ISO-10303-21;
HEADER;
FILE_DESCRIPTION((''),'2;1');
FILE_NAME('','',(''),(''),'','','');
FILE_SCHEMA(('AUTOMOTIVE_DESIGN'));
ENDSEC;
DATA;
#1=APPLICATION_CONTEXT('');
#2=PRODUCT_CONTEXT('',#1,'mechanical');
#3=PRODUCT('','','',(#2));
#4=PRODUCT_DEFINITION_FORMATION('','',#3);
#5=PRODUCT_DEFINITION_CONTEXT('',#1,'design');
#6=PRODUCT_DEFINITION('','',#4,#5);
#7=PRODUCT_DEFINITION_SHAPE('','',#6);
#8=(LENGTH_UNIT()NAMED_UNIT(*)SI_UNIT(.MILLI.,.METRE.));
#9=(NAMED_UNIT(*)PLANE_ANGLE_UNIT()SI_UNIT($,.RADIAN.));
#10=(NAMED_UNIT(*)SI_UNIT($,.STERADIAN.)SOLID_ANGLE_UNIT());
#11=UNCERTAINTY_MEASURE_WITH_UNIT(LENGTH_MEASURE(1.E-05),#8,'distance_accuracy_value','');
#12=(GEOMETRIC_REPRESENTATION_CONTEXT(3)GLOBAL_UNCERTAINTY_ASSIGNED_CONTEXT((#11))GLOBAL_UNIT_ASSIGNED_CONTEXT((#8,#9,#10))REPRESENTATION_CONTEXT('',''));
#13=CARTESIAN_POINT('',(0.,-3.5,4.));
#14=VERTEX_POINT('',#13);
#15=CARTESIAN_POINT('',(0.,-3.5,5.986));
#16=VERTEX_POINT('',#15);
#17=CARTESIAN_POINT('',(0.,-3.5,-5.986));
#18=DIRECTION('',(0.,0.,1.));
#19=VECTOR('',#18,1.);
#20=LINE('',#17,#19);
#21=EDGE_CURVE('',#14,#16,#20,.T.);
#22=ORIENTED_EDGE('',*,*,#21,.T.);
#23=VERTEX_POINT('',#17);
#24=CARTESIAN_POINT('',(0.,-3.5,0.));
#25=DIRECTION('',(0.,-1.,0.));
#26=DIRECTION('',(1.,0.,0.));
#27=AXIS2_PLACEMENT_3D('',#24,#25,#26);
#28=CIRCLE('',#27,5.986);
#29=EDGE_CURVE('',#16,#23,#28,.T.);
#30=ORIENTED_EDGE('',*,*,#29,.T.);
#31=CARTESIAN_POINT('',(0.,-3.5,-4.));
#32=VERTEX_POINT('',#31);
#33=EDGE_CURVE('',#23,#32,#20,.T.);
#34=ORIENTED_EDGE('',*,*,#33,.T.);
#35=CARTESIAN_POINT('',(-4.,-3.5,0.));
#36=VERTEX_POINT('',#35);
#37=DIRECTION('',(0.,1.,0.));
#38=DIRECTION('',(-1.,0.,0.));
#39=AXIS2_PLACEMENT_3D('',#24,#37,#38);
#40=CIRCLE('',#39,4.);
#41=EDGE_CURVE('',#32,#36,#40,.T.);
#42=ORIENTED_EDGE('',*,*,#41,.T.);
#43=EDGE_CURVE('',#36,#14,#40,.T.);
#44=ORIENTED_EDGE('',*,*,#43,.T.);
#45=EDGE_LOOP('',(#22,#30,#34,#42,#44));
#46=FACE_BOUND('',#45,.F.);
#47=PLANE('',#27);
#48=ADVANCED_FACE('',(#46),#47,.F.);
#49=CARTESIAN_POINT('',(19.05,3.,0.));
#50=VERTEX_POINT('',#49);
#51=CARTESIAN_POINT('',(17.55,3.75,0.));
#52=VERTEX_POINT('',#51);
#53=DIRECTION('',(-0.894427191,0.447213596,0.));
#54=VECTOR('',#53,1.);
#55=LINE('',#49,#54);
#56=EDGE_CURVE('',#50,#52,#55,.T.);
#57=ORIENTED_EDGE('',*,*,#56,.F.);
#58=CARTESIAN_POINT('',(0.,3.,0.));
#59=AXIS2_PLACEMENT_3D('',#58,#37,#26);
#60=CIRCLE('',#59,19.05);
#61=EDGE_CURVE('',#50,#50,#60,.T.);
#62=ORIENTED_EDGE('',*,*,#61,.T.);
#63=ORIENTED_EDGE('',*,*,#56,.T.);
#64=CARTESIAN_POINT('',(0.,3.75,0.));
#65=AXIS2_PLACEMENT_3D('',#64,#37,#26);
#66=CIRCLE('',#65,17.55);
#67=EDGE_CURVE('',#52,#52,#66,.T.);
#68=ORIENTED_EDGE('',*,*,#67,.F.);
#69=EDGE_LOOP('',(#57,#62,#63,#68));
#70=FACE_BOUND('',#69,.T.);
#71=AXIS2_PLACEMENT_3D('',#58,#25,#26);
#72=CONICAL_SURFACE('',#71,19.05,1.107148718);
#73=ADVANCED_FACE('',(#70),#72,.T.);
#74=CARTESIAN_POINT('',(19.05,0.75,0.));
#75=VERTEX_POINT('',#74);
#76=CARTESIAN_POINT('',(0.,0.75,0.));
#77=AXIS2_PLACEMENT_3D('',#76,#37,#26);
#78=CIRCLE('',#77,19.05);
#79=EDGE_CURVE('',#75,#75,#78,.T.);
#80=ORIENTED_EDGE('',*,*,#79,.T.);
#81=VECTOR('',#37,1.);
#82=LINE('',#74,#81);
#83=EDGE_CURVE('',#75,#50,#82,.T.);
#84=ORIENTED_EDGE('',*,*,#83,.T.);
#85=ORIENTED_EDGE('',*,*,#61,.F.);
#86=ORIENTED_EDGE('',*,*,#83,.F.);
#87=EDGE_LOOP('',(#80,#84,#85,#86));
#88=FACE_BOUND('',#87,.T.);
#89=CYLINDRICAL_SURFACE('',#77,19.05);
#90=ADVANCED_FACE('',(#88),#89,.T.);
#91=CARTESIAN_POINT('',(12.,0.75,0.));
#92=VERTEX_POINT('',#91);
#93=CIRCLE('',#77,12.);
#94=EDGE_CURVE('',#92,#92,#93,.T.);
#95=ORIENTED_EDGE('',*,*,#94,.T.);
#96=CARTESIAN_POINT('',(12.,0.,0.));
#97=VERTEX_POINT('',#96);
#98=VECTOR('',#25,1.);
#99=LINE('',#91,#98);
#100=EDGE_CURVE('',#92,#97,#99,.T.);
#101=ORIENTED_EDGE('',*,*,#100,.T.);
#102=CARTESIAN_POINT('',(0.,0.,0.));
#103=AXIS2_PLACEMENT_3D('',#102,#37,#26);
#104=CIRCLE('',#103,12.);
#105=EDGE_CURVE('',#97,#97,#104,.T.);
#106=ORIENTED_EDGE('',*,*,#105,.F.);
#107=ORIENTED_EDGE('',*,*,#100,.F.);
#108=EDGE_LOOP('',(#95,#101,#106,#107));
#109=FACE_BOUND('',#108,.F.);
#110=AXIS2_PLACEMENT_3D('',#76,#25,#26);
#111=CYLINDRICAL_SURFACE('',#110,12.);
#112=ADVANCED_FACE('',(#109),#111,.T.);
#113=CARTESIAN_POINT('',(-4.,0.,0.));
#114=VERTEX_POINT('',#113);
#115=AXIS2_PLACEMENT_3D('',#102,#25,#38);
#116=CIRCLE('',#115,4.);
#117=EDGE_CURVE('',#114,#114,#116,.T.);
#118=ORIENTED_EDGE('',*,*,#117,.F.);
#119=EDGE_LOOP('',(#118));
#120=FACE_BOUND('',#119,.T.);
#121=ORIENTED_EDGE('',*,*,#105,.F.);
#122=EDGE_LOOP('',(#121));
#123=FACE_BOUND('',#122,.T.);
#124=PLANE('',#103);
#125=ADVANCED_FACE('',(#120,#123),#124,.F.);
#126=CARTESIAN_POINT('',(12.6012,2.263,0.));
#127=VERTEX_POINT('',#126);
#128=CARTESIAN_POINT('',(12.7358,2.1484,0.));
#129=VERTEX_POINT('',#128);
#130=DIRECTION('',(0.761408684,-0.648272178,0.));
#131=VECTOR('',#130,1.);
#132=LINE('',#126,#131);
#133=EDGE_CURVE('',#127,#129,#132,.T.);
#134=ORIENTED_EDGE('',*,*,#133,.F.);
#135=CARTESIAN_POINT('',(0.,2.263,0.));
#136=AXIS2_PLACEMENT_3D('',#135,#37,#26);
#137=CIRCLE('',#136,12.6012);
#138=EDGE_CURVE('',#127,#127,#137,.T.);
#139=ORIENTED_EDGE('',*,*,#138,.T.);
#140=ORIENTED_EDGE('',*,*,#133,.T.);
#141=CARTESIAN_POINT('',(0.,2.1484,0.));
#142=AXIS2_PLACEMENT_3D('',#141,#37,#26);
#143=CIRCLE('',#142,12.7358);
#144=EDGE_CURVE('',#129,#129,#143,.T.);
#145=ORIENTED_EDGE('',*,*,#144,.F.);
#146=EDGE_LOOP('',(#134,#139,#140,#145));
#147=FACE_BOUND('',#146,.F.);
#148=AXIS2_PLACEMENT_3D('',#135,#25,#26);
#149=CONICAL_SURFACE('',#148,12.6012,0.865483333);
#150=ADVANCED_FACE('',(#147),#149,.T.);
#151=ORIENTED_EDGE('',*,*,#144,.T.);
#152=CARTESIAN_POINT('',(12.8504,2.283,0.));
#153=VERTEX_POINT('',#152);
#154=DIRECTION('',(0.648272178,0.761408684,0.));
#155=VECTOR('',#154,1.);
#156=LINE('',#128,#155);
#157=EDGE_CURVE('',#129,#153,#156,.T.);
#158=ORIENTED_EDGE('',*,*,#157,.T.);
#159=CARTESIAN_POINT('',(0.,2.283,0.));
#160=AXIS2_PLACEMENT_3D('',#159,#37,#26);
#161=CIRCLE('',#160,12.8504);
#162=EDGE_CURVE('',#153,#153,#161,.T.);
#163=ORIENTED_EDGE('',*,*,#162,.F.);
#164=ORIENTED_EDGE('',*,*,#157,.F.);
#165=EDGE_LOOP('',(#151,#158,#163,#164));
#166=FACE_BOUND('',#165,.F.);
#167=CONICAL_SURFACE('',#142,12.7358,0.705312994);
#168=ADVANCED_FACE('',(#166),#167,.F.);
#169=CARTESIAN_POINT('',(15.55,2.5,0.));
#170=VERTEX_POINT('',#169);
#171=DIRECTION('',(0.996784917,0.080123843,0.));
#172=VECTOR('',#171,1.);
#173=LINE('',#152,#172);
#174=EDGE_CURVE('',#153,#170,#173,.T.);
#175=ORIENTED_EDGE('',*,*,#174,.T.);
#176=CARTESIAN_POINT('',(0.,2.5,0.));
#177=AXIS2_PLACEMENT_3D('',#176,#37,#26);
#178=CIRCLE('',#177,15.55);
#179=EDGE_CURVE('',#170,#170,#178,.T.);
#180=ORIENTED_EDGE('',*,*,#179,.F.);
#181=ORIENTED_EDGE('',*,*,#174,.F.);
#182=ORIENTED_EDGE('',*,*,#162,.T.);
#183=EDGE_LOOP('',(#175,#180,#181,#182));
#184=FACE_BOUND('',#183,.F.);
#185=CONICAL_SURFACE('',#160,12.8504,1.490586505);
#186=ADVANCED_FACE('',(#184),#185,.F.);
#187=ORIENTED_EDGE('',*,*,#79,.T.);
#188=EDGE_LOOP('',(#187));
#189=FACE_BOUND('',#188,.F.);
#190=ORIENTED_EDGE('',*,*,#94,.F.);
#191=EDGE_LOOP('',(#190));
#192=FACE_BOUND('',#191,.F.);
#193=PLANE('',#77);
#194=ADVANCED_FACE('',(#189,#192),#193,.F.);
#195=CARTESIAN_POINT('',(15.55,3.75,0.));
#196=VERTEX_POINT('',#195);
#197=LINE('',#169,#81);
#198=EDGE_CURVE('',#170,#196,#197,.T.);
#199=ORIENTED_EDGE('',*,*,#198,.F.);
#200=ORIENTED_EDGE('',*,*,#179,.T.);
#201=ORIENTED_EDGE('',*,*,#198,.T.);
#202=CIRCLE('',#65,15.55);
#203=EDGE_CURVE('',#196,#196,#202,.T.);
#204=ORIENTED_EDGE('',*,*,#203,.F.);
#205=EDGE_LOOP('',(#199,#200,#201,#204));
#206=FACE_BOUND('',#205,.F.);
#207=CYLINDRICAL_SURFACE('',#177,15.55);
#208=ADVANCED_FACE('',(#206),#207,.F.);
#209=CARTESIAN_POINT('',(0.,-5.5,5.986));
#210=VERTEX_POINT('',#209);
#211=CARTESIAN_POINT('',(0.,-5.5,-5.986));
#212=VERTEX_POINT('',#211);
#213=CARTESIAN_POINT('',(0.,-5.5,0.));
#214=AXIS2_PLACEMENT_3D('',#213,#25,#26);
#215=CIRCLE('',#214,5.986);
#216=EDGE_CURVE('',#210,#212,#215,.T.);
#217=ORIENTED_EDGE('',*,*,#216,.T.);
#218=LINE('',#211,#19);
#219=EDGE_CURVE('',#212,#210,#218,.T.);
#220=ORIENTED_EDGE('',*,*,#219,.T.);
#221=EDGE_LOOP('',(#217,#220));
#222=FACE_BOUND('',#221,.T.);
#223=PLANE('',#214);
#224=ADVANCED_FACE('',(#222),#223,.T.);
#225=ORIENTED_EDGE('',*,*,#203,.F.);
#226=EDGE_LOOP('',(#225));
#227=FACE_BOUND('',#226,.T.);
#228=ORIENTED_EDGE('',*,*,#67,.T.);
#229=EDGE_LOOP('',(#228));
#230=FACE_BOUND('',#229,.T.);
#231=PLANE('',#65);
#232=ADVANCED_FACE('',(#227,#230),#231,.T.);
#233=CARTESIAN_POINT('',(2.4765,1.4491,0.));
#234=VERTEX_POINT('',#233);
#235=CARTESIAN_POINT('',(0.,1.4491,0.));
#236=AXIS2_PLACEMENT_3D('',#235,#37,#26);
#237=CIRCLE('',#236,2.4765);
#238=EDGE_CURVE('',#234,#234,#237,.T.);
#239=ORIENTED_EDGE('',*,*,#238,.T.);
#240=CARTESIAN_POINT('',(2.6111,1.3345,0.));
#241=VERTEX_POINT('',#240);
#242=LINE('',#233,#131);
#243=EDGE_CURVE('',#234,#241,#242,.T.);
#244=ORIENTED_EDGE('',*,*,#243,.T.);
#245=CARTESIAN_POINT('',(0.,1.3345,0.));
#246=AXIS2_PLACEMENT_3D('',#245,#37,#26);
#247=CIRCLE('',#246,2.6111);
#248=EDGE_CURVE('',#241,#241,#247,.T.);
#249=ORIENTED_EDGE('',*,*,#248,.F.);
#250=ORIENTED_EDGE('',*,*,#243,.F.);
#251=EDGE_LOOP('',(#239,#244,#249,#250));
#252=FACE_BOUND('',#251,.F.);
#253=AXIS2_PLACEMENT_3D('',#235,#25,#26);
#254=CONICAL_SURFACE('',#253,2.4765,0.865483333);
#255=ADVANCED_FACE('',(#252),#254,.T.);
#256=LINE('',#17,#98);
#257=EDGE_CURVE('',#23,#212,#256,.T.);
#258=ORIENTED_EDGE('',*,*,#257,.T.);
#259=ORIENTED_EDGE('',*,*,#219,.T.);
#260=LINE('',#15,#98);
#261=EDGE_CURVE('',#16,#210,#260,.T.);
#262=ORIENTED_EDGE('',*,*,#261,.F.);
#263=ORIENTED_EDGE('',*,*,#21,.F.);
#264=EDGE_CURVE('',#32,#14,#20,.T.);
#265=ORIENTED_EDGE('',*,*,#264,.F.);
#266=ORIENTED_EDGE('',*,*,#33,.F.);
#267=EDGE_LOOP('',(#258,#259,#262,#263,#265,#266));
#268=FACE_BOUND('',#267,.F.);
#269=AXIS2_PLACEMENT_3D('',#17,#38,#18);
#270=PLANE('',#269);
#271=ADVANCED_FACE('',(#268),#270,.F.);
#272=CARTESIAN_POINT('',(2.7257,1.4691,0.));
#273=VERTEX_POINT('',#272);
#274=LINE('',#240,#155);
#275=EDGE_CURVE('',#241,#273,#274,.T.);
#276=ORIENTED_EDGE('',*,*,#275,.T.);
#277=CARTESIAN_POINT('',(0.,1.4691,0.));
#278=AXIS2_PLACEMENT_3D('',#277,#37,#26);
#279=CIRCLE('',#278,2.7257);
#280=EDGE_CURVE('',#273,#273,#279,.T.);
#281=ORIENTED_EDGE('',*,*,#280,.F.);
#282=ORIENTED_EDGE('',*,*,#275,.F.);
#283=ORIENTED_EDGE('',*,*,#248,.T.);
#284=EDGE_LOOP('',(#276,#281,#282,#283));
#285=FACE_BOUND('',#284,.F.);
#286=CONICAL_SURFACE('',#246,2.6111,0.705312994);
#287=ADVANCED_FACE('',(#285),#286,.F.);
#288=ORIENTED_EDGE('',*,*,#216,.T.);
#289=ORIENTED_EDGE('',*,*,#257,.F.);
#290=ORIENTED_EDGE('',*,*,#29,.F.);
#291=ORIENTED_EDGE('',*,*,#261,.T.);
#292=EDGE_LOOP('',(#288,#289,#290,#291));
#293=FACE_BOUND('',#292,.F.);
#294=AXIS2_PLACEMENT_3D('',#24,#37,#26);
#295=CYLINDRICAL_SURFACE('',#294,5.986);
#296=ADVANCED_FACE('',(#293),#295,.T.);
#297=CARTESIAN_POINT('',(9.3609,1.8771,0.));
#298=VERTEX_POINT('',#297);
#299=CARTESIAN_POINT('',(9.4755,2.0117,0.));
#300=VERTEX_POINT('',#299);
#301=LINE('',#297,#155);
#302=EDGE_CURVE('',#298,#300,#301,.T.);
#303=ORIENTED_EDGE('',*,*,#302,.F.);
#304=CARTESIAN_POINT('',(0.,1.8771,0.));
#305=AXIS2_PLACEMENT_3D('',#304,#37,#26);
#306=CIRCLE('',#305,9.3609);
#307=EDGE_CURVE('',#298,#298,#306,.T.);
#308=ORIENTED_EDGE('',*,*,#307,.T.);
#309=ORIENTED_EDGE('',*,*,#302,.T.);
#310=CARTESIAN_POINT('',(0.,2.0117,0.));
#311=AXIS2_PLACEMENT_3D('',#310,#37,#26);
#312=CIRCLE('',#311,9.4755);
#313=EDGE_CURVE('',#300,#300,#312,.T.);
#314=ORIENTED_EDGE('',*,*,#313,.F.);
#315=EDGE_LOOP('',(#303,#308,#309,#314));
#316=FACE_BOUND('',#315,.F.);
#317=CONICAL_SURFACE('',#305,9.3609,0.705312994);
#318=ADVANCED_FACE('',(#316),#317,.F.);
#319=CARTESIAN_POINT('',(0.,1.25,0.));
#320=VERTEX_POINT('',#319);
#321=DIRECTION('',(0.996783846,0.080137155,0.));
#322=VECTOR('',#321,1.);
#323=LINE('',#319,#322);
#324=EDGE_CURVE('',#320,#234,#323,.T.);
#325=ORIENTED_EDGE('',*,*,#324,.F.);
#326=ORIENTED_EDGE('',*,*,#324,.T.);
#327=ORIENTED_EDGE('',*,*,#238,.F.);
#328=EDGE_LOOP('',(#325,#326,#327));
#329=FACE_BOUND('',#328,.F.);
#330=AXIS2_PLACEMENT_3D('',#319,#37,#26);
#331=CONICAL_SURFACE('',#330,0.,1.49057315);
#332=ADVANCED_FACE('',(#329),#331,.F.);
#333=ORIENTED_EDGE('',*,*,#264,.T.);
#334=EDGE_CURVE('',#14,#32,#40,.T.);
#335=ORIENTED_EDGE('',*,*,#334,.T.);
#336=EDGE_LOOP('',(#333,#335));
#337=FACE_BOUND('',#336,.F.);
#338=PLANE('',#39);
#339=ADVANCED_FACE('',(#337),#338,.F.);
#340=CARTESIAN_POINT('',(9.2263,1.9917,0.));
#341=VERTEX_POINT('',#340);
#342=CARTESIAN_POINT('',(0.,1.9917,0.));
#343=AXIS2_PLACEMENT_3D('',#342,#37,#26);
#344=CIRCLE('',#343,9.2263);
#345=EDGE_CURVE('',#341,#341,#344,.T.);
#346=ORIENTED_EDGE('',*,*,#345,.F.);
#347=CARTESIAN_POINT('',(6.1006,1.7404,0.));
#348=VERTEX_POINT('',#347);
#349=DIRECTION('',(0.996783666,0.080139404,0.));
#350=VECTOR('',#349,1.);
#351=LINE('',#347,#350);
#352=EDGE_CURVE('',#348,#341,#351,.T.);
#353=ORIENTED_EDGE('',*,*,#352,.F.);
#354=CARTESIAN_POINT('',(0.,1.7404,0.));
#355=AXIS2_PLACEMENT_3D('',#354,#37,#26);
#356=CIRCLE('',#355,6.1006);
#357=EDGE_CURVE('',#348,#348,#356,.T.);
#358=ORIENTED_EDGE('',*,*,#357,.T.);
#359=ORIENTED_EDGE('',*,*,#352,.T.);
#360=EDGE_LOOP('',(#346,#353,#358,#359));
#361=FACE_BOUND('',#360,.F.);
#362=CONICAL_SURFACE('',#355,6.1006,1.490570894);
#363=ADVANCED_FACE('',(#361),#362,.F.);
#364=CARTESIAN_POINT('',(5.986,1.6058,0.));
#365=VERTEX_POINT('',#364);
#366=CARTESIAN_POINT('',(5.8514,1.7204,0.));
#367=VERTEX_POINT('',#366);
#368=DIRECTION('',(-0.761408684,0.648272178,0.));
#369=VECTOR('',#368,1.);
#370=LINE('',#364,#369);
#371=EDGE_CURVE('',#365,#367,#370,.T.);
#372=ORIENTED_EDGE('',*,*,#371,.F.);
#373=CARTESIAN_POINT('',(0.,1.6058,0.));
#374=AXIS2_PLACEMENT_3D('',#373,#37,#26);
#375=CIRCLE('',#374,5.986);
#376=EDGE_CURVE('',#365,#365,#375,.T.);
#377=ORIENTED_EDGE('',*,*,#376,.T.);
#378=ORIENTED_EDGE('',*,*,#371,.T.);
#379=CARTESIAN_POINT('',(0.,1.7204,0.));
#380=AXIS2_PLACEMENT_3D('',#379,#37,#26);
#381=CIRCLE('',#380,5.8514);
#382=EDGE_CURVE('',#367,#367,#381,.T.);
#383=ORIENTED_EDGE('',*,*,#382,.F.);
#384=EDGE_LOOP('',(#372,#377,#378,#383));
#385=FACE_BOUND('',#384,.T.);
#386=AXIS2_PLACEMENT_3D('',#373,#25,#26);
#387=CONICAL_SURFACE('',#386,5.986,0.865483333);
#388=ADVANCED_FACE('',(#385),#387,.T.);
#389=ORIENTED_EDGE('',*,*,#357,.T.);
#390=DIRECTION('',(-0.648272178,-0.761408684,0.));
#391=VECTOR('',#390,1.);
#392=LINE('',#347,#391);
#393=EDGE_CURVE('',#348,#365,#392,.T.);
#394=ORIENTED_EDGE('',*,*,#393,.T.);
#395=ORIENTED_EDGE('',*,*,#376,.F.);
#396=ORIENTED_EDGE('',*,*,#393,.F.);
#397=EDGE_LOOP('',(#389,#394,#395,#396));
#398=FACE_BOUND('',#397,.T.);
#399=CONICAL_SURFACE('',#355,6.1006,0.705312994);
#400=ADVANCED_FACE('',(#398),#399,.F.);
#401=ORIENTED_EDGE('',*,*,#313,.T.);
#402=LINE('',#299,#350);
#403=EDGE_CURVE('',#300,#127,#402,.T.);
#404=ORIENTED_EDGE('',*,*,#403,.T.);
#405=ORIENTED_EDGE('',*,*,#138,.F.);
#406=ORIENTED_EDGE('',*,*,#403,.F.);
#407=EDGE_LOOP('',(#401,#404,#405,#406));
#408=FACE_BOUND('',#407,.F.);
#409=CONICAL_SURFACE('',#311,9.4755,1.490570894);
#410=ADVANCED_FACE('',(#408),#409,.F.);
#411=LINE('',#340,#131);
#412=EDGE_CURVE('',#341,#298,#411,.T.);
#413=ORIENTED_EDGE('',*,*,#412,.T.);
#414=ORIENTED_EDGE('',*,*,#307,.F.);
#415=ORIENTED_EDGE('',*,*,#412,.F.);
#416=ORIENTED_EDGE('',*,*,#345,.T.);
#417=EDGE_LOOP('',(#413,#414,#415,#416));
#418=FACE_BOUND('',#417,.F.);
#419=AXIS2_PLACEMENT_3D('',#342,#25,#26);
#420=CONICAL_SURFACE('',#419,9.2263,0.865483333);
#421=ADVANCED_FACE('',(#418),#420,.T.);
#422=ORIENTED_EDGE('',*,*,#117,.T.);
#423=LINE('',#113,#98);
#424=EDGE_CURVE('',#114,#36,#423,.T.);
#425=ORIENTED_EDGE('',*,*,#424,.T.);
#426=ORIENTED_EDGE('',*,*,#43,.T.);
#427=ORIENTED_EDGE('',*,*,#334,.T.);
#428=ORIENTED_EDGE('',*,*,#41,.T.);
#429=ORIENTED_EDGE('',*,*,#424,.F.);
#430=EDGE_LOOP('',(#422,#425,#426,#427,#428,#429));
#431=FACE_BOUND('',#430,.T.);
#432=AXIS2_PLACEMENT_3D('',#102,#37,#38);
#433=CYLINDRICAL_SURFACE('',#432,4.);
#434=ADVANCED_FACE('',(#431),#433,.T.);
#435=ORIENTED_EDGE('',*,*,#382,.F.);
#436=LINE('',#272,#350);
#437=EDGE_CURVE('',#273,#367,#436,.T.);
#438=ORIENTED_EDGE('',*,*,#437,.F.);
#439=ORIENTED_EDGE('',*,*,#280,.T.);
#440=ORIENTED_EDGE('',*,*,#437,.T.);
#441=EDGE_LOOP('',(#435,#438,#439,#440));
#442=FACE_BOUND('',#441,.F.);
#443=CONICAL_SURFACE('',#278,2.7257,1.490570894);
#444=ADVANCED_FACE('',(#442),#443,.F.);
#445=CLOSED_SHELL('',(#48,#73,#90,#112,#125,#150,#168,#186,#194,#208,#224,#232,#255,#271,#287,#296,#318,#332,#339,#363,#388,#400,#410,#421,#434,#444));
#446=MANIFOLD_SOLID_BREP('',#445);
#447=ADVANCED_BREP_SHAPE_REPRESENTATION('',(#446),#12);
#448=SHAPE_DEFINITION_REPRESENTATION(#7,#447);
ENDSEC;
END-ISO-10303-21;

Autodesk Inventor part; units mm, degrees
ref_plane "YZ Plane" through (0, 0, 0) normal (1, 0, 0) x (0, 1, 0)
ref_plane "XZ Plane" through (0, 0, 0) normal (0, 1, 0) x (-1, 0, 0)
ref_plane "XY Plane" through (0, 0, 0) normal (0, 0, 1) x (1, 0, 0)
sketch "Sketch1" plane through (0, 0, 0) normal (0, 1, 0) x (-1, 0, 0)
  circle A0 centre (0, 0) radius 4
  line L0 (0, 0) -> (4, 0) construction
  line L1 (0, 0) -> (0, -4) construction
  line L2 (0, 0) -> (-4, 0) construction
  line L3 (0, 0) -> (0, 4) construction
  dimension "d0" = 8
extrude "Extrusion1" add sketch "Sketch1" against normal blind 3.5
ref_plane "Work Plane1" through (0, 0, 0) normal (0, 0, 1) x (1, 0, 0)
sketch "Sketch2" plane through (0, 0, 0) normal (0, 0, 1) x (1, 0, 0)
  line L0 (-4, 0) -> (4, 0) projected
  line L1 (4, 0) -> (12, 0)
  line L2 (19.05, 0.75) -> (19.05, 3)
  line L3 (17.55, 3.75) -> (15.55, 3.75)
  line L4 (0, 0) -> (0, 1.25)
  line L5 (4, 0) -> (4, 1.5959) construction
  line L6 (19.05, 0.75) -> (12, 0.75)
  line L7 (12, 0.75) -> (12, 0)
  line L8 (19.05, 3) -> (17.55, 3.75)
  line L9 (15.55, 2.5) -> (15.55, 3.75)
  line L10 (9.2263, 1.9917) -> (9.3609, 1.8771)
  line L11 (9.3609, 1.8771) -> (9.4755, 2.0117)
  line L12 (6.1006, 1.7404) -> (5.986, 1.6058)
  line L13 (5.986, 1.6058) -> (5.8514, 1.7204)
  line L14 (2.4765, 1.4491) -> (2.6111, 1.3345)
  line L15 (2.6111, 1.3345) -> (2.7257, 1.4691)
  line L16 (0, 1.25) -> (2.4765, 1.4491)
  line L17 (2.7257, 1.4691) -> (5.8514, 1.7204)
  line L18 (6.1006, 1.7404) -> (9.2263, 1.9917)
  line L19 (5.986, 1.6058) -> (5.986, 3.125) construction
  line L20 (9.3609, 1.8771) -> (9.3609, 3.125) construction
  line L21 (9.3609, 3.125) -> (5.986, 3.125) construction
  line L22 (5.986, 3.125) -> (2.6111, 3.125) construction
  line L23 (2.6111, 3.125) -> (0, 3.125) construction
  line L24 (2.4765, 1.4491) -> (2.7257, 1.4691) construction
  line L25 (5.8514, 1.7204) -> (6.1006, 1.7404) construction
  line L26 (9.2263, 1.9917) -> (9.4755, 2.0117) construction
  line L27 (2.6011, 1.4591) -> (2.6111, 1.3345) construction
  line L28 (5.986, 1.7312) -> (5.986, 1.6058) construction
  line L29 (2.6111, 1.3345) -> (2.6111, 3.125) construction
  line L30 (12.6012, 2.263) -> (12.7358, 2.1484)
  line L31 (12.7358, 2.1484) -> (12.8504, 2.283)
  line L32 (12.7358, 2.1484) -> (12.7358, 3.125) construction
  line L33 (9.4755, 2.0117) -> (12.6012, 2.263)
  line L34 (12.8504, 2.283) -> (15.55, 2.5)
  line L35 (9.3609, 3.125) -> (12.7358, 3.125) construction
  line L36 (12.7358, 3.125) -> (15.55, 3.125) construction
  point P0 (9.3609, 2.0025)
  dimension "d11" = 12
  dimension "d12" = 0.75
  dimension "d13" = 3
  dimension "d14" = 0.75
  dimension "d15" = 1.5
  dimension "d16" = 1.25
  dimension "d19" = 3.5
  dimension "d23" = 1.25
  dimension "d25" = 0.125
  dimension "d30" = 19.05
revolve "Revolution1" add sketch "Sketch2" angle 360 about axis through (0, 0, 0) along (0, 1, 0)
sketch "Sketch3" plane through (0, -3.5, 0) normal (0, -1, 0) x (1, 0, 0)
  circle A0 centre (0, 0) radius 5.986 projected
  arc A1 (0, 5.986) -> (0, -5.986) centre (0, 0) ccw
  line L0 (0, -5.986) -> (0, 5.986)
extrude "Extrusion2" add sketch "Sketch3" along normal blind 2 contours L0 A0 picked at (-2.1196, -1.0755)
properties part number "Caps 8mm Square Rounded Caps Male"
